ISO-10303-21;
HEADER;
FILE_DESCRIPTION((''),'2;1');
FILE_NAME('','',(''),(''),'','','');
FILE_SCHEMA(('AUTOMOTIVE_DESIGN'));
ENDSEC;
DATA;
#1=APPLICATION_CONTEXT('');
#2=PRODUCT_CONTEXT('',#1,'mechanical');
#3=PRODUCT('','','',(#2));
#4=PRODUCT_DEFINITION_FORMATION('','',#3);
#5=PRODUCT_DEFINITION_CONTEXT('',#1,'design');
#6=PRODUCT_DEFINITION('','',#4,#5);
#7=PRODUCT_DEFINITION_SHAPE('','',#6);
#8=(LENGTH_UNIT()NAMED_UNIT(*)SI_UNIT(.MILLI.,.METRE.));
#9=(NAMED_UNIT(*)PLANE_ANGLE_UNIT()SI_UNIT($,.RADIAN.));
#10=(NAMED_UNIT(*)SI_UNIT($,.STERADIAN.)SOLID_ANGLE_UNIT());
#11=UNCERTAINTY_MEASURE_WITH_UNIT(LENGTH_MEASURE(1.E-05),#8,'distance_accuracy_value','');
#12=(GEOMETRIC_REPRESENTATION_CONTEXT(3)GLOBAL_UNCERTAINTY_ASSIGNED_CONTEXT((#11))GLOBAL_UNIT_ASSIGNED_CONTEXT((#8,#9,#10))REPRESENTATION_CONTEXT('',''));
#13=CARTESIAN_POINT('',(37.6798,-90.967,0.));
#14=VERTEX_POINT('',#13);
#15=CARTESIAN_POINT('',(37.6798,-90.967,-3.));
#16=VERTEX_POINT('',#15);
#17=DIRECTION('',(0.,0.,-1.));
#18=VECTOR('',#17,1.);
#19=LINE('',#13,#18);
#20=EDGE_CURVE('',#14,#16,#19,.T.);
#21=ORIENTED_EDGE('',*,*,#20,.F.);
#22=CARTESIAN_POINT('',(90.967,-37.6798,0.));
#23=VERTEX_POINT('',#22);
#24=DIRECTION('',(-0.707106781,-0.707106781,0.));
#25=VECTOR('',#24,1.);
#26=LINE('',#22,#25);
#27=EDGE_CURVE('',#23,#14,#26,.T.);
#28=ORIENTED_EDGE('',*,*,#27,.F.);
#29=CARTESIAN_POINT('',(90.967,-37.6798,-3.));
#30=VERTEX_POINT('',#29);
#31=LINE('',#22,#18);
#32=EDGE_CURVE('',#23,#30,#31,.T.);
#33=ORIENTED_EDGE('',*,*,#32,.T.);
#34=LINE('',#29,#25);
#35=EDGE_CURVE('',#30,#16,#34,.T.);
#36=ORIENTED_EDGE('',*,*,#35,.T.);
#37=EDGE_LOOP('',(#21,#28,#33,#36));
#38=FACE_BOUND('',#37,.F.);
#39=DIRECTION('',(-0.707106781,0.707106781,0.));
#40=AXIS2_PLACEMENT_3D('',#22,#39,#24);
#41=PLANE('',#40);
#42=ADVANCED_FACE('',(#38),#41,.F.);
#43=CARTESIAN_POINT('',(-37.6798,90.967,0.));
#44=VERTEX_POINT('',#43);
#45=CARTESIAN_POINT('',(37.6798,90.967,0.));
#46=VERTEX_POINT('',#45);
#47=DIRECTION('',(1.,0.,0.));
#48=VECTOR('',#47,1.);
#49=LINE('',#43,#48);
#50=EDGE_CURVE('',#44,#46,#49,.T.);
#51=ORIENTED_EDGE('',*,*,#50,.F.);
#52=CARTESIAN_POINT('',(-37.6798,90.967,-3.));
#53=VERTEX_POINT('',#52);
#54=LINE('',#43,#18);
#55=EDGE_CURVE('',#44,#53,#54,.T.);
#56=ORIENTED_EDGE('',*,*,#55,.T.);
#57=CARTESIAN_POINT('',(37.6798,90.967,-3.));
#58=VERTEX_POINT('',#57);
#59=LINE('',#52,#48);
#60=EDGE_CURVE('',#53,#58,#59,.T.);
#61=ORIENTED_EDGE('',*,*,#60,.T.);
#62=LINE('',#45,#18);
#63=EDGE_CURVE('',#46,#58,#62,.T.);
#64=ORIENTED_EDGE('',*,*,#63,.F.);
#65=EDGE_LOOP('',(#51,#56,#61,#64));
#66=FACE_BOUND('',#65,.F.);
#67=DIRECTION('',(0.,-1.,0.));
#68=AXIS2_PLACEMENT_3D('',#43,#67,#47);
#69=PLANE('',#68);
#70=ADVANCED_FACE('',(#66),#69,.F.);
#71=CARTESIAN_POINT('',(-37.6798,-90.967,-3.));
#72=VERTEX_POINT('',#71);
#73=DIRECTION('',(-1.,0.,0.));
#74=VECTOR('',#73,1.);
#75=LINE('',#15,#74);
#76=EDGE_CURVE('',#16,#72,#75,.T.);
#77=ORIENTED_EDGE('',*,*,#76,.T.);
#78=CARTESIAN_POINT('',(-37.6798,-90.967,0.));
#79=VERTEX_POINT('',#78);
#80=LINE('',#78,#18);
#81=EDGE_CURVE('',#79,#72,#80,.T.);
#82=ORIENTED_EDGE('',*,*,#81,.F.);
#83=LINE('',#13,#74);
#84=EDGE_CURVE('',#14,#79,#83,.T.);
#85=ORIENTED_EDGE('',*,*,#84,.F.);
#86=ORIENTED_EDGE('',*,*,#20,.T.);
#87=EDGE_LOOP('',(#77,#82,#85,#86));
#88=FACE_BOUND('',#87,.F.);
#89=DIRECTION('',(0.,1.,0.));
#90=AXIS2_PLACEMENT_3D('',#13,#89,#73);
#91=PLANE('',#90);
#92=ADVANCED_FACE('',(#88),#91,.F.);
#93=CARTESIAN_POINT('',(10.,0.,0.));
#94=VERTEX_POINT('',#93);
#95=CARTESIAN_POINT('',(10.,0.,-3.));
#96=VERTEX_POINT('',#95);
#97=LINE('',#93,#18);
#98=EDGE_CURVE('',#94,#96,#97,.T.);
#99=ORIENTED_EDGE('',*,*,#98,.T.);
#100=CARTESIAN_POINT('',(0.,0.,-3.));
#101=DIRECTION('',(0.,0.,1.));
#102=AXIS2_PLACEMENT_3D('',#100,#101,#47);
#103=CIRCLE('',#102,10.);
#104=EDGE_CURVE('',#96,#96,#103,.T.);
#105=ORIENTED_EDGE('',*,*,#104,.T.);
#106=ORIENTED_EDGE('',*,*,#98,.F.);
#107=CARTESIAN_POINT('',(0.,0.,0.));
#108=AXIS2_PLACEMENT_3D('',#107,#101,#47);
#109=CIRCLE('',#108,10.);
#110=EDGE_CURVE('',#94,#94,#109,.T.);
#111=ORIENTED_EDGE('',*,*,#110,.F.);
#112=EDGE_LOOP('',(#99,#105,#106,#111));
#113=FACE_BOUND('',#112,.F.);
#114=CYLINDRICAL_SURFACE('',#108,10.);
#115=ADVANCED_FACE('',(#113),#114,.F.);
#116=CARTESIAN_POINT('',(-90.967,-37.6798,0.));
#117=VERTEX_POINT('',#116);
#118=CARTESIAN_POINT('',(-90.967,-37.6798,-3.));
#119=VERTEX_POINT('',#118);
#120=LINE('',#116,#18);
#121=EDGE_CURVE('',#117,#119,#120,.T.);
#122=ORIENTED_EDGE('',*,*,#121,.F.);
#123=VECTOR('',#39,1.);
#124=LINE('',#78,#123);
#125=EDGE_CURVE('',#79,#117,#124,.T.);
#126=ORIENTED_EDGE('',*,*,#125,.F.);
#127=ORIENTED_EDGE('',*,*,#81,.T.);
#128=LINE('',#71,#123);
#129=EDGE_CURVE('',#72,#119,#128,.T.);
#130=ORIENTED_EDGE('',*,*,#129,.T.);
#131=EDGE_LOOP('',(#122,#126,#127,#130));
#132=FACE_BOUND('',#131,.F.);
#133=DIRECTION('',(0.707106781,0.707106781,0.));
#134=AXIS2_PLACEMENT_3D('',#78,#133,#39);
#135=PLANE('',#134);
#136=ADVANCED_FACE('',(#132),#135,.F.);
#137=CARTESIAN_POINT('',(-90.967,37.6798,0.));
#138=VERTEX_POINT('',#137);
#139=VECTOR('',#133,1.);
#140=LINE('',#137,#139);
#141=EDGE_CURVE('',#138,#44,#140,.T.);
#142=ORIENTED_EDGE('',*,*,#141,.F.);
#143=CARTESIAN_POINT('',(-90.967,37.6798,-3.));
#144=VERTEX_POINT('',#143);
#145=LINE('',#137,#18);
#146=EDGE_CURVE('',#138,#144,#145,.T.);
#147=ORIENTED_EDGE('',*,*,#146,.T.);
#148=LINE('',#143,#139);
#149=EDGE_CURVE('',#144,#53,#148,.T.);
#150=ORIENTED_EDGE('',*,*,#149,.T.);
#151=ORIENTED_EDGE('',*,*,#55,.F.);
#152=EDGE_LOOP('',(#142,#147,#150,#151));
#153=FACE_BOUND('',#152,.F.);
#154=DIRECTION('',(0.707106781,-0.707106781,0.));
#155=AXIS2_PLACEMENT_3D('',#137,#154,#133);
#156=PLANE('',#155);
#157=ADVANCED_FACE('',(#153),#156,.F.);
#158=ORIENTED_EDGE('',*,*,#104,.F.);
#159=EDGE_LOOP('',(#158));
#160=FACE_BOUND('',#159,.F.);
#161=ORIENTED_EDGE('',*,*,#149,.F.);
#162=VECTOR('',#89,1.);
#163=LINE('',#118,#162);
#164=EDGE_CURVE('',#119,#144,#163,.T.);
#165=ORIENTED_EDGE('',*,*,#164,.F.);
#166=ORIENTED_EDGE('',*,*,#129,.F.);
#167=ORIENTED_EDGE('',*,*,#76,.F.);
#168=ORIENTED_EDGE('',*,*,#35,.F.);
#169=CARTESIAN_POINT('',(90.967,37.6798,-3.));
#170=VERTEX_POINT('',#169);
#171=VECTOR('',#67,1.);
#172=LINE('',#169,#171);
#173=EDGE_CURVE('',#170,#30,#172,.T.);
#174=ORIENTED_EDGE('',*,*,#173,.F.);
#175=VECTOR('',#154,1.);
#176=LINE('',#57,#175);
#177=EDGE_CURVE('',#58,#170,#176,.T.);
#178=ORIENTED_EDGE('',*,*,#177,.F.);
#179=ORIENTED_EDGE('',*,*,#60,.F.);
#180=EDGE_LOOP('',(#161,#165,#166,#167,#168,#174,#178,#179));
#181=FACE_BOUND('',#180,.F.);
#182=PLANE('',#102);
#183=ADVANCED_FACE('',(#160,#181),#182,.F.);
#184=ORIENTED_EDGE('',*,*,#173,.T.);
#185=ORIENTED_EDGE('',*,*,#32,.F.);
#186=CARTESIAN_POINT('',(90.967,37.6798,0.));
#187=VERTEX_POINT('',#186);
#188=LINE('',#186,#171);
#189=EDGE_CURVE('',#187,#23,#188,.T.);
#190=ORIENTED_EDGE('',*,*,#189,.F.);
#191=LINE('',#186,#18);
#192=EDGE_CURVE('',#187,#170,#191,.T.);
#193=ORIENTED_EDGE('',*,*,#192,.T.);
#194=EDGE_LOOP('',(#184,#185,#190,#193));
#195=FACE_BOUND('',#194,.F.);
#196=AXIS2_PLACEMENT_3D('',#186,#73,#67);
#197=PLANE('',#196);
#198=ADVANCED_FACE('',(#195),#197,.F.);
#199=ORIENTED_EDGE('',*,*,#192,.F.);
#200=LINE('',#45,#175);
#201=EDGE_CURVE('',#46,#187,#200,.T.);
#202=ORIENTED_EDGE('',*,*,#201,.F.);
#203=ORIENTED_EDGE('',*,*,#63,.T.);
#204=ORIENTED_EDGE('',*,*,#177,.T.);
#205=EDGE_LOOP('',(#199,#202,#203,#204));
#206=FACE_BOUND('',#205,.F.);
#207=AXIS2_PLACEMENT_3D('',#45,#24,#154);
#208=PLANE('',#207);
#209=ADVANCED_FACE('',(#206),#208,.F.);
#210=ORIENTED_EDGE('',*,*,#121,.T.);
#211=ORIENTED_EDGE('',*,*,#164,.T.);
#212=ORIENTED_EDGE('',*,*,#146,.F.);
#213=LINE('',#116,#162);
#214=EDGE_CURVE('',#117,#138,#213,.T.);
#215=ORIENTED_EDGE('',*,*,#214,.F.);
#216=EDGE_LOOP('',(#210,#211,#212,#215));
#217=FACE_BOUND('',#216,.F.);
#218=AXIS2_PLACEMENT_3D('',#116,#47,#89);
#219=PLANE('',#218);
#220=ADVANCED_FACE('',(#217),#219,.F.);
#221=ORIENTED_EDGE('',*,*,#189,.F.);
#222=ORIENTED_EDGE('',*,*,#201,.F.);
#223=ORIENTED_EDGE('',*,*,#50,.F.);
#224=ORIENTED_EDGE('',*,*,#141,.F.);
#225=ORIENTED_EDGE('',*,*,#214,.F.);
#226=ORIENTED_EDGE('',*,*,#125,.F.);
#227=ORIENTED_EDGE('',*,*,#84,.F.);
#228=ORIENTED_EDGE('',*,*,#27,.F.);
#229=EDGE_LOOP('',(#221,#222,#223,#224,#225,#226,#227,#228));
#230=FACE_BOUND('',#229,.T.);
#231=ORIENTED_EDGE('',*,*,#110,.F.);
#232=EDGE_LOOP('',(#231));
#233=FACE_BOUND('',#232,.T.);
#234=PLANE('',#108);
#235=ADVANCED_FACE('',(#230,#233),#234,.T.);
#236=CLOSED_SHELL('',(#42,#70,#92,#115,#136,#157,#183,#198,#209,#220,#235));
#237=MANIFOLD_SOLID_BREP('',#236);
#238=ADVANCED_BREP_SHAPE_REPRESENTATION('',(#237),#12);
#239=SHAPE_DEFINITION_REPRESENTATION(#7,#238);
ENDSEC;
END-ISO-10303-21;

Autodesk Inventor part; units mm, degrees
ref_plane "우측면도" through (0, 0, 0) normal (1, 0, 0) x (0, 1, 0)
ref_plane "평면도" through (0, 0, 0) normal (0, 1, 0) x (-1, 0, 0)
ref_plane "정면도" through (0, 0, 0) normal (0, 0, 1) x (1, 0, 0)
sketch "스케치1" plane through (0, 0, 0) normal (0, 0, 1) x (1, 0, 0)
  circle A0 centre (0, 0) radius 98.462
  line L0 (37.6798, 90.967) -> (90.967, 37.6798)
  line L1 (90.967, 37.6798) -> (90.967, -37.6798)
  line L2 (90.967, -37.6798) -> (37.6798, -90.967)
  line L3 (37.6798, -90.967) -> (-37.6798, -90.967)
  line L4 (-37.6798, -90.967) -> (-90.967, -37.6798)
  line L5 (-90.967, -37.6798) -> (-90.967, 37.6798)
  line L6 (-90.967, 37.6798) -> (-37.6798, 90.967)
  line L7 (-37.6798, 90.967) -> (37.6798, 90.967)
  circle A1 centre (0, 0) radius 10
  dimension "d16" = 196.924
  dimension "d17" = 20
extrude "돌출1" add sketch "스케치1" against normal blind 3 contours L1 L2 L3 L4 L5 L6 L7 L0
properties part number "프레임위밑판" material "PLA 플라스틱"
